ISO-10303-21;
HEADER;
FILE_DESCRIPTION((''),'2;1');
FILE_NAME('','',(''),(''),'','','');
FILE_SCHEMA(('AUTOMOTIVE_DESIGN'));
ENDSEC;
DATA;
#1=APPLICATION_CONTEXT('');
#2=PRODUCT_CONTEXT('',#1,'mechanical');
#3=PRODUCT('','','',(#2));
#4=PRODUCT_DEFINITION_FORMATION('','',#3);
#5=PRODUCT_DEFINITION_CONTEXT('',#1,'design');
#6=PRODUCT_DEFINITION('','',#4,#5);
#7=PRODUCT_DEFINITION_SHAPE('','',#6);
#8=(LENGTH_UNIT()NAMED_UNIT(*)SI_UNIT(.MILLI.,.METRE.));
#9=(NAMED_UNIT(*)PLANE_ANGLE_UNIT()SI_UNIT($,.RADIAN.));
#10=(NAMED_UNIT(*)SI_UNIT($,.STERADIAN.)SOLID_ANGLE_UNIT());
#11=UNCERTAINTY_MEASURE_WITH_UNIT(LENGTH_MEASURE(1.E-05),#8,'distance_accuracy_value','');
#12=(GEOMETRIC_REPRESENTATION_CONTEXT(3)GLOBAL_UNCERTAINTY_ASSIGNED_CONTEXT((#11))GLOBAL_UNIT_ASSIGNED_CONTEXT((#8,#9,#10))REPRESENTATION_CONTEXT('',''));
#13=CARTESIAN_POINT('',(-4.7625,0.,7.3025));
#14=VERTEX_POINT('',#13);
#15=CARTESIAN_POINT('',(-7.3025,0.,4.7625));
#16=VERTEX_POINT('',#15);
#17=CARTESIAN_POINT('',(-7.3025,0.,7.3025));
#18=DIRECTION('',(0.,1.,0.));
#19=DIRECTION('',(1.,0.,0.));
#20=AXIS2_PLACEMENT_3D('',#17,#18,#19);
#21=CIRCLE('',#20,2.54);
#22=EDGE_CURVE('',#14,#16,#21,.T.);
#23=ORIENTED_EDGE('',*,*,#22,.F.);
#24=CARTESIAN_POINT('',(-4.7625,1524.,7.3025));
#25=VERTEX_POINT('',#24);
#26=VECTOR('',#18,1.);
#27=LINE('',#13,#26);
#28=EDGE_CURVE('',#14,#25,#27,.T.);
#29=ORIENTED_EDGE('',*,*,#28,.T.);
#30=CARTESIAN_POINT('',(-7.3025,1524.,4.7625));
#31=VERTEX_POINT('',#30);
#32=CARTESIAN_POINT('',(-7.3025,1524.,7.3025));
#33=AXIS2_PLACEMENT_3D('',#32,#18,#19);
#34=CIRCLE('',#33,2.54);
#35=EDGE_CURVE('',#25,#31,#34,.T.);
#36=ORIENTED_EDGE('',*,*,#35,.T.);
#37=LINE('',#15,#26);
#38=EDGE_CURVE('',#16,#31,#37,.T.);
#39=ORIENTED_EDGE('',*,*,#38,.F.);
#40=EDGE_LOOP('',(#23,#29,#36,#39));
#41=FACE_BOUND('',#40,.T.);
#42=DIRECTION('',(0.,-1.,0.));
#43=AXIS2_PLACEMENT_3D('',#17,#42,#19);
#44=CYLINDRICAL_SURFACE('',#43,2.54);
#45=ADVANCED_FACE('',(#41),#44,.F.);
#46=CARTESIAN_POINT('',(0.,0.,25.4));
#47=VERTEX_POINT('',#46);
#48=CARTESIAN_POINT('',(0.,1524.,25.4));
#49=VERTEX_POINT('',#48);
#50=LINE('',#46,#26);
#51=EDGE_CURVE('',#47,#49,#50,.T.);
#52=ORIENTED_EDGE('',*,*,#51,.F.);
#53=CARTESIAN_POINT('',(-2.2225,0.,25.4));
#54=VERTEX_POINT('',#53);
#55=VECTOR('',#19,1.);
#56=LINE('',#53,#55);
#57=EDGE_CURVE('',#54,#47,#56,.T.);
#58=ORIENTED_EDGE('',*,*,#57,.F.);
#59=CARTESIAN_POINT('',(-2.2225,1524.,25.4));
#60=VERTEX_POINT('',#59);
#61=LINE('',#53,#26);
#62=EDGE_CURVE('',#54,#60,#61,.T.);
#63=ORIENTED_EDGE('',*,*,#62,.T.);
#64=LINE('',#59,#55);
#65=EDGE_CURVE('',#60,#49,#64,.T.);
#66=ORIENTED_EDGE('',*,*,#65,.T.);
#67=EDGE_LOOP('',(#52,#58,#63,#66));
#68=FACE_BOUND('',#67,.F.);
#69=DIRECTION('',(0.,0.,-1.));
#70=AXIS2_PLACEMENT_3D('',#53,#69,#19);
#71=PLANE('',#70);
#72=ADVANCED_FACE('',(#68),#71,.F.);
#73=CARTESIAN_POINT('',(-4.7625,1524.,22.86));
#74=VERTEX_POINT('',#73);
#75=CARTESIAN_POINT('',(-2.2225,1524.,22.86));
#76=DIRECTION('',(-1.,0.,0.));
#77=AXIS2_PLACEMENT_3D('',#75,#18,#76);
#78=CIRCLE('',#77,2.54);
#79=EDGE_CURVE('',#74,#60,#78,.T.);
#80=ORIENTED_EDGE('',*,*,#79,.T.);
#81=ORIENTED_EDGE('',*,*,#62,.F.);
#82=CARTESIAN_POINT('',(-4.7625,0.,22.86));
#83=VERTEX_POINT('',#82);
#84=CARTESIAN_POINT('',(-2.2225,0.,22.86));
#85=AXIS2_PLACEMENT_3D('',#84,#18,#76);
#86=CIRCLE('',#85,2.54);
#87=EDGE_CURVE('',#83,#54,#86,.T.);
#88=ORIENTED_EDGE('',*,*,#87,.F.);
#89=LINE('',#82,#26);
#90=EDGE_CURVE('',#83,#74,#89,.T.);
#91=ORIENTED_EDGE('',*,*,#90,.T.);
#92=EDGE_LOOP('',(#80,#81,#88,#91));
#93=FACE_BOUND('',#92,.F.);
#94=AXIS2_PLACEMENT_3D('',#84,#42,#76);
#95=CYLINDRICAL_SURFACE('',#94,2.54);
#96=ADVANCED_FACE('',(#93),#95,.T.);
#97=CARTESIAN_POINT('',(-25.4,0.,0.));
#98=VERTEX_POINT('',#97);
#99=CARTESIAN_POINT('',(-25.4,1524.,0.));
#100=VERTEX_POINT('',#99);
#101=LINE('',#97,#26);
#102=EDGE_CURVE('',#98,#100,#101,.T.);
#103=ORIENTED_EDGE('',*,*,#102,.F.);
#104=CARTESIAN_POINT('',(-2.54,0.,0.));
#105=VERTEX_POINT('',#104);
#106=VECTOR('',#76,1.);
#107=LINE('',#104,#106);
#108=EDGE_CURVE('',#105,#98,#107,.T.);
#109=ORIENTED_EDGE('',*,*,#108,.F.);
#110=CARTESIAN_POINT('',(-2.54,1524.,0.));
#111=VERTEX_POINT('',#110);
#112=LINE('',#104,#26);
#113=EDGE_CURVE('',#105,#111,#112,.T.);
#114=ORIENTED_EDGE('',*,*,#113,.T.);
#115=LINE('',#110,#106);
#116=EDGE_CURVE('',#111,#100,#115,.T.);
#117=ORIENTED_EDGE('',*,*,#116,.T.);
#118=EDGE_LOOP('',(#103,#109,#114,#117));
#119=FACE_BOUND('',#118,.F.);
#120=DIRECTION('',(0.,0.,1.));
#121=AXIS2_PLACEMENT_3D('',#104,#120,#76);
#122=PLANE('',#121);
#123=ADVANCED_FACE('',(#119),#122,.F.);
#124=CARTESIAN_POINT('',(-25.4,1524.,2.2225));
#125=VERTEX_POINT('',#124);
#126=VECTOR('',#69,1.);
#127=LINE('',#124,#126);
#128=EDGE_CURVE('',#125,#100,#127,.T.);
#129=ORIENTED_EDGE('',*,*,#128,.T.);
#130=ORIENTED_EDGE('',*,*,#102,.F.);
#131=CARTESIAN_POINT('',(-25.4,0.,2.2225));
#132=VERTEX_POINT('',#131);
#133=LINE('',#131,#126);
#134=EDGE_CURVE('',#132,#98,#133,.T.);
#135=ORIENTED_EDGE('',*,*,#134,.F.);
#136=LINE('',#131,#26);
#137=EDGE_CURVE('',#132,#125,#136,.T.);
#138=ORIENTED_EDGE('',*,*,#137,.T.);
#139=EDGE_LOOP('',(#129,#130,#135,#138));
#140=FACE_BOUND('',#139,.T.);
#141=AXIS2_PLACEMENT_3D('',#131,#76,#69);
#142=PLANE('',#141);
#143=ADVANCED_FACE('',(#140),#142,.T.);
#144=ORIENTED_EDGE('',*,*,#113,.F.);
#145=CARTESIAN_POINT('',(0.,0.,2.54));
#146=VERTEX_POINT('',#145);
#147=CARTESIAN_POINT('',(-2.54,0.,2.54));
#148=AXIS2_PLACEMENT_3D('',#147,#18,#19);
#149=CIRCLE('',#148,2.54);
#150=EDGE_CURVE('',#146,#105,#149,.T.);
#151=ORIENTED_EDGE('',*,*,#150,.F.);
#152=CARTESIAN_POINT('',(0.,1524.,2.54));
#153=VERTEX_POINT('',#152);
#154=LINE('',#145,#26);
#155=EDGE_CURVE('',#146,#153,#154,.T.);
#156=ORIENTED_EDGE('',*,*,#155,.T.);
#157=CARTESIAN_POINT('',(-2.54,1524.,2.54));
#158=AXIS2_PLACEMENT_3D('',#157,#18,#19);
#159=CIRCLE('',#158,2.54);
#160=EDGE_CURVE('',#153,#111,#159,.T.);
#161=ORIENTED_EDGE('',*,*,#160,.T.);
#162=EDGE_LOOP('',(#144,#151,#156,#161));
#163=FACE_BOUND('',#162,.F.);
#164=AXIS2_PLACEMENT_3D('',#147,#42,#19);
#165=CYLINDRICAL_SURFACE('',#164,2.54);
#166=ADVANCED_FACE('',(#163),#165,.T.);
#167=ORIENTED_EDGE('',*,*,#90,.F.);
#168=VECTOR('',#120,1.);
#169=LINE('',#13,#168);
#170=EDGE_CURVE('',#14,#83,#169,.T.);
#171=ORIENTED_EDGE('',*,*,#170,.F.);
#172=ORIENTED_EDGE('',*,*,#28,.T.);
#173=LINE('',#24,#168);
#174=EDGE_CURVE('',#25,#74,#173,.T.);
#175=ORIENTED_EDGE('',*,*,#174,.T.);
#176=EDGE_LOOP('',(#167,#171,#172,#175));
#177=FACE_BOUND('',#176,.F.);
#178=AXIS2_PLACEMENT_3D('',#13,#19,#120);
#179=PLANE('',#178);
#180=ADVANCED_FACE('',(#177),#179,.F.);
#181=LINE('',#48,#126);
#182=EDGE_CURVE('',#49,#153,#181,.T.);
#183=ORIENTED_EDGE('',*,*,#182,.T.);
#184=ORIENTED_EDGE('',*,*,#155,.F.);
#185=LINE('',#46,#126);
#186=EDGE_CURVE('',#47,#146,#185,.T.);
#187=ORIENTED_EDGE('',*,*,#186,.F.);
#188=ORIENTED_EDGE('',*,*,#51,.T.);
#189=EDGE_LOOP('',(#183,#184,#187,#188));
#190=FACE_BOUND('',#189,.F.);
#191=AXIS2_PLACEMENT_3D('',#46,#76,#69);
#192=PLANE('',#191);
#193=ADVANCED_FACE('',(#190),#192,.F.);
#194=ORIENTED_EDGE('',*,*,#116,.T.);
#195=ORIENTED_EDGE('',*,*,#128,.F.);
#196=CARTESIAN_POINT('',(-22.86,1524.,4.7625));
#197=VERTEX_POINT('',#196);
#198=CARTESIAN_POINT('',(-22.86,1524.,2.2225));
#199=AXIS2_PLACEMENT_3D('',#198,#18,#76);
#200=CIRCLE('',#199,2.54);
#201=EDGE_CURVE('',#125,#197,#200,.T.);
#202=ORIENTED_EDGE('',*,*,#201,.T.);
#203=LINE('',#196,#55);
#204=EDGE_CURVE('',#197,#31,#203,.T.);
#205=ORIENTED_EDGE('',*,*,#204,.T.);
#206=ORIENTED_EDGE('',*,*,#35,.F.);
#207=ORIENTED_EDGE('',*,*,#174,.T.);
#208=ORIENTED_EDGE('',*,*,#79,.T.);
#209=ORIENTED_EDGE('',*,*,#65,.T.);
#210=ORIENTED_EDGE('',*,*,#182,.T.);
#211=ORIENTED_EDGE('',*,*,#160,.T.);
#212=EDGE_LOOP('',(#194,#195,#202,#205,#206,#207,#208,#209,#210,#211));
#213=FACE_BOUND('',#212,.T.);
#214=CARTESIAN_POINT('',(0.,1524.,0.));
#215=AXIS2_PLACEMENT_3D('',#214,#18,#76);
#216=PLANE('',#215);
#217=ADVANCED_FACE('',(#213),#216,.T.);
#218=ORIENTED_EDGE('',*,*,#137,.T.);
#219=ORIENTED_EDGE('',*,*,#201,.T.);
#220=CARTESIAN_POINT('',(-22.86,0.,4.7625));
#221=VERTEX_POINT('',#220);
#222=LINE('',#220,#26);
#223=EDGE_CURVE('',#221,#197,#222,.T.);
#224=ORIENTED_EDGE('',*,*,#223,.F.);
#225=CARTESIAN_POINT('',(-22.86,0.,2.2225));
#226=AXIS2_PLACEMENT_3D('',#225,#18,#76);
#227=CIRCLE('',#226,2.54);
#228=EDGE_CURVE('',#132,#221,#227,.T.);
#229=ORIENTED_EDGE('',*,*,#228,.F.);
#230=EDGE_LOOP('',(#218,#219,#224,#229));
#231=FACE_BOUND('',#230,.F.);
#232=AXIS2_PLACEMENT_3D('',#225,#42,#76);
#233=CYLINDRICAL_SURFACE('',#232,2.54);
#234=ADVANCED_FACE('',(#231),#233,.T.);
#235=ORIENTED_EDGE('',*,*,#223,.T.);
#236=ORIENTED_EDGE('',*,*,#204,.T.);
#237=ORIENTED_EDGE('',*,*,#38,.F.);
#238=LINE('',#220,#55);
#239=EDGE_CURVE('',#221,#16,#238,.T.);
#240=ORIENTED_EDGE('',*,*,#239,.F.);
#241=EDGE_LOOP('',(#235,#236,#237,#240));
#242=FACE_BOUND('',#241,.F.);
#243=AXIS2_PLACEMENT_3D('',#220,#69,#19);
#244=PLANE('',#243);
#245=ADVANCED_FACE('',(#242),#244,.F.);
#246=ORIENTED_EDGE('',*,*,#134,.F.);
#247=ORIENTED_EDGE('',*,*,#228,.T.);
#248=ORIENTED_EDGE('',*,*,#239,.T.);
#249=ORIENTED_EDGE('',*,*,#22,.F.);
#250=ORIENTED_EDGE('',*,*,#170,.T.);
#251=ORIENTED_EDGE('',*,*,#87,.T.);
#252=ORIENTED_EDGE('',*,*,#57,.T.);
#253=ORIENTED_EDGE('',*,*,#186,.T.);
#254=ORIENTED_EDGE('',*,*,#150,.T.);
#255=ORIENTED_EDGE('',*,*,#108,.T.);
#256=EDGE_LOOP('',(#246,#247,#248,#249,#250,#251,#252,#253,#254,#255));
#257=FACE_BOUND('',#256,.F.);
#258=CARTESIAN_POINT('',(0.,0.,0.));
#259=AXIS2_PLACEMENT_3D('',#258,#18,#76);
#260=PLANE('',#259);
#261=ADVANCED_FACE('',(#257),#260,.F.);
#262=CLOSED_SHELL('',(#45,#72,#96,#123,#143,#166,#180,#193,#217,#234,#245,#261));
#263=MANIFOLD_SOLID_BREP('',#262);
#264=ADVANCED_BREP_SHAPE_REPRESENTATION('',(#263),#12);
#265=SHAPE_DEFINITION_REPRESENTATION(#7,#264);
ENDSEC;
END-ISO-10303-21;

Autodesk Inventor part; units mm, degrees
ref_plane "YZ Plane" through (0, 0, 0) normal (1, 0, 0) x (0, 1, 0)
ref_plane "XZ Plane" through (0, 0, 0) normal (0, 1, 0) x (-1, 0, 0)
ref_plane "XY Plane" through (0, 0, 0) normal (0, 0, 1) x (1, 0, 0)
sketch "Sketch1" plane through (0, 0, 0) normal (0, 1, 0) x (-1, 0, 0)
  line L0 (2.54, 0) -> (25.4, 0)
  line L1 (0, 25.4) -> (0, 2.54)
  line L2 (22.86, 4.7625) -> (7.3025, 4.7625)
  line L3 (4.7625, 7.3025) -> (4.7625, 22.86)
  line L4 (2.2225, 25.4) -> (0, 25.4)
  line L5 (25.4, 2.2225) -> (25.4, 0)
  arc A0 (4.7625, 7.3025) -> (7.3025, 4.7625) centre (7.3025, 7.3025) ccw
  arc A1 (4.7625, 22.86) -> (2.2225, 25.4) centre (2.2225, 22.86) ccw
  arc A2 (0, 2.54) -> (2.54, 0) centre (2.54, 2.54) ccw
  arc A3 (25.4, 2.2225) -> (22.86, 4.7625) centre (22.86, 2.2225) ccw
  point P0 (0, 0)
  dimension "d2" = 4.7625
  dimension "d3" = 25.4
  dimension "d4" = 25.4
  dimension "d5" = 2.54
extrude "Back Leg" add sketch "Sketch1" along normal blind 1524
properties part number "legs-bl_t"
